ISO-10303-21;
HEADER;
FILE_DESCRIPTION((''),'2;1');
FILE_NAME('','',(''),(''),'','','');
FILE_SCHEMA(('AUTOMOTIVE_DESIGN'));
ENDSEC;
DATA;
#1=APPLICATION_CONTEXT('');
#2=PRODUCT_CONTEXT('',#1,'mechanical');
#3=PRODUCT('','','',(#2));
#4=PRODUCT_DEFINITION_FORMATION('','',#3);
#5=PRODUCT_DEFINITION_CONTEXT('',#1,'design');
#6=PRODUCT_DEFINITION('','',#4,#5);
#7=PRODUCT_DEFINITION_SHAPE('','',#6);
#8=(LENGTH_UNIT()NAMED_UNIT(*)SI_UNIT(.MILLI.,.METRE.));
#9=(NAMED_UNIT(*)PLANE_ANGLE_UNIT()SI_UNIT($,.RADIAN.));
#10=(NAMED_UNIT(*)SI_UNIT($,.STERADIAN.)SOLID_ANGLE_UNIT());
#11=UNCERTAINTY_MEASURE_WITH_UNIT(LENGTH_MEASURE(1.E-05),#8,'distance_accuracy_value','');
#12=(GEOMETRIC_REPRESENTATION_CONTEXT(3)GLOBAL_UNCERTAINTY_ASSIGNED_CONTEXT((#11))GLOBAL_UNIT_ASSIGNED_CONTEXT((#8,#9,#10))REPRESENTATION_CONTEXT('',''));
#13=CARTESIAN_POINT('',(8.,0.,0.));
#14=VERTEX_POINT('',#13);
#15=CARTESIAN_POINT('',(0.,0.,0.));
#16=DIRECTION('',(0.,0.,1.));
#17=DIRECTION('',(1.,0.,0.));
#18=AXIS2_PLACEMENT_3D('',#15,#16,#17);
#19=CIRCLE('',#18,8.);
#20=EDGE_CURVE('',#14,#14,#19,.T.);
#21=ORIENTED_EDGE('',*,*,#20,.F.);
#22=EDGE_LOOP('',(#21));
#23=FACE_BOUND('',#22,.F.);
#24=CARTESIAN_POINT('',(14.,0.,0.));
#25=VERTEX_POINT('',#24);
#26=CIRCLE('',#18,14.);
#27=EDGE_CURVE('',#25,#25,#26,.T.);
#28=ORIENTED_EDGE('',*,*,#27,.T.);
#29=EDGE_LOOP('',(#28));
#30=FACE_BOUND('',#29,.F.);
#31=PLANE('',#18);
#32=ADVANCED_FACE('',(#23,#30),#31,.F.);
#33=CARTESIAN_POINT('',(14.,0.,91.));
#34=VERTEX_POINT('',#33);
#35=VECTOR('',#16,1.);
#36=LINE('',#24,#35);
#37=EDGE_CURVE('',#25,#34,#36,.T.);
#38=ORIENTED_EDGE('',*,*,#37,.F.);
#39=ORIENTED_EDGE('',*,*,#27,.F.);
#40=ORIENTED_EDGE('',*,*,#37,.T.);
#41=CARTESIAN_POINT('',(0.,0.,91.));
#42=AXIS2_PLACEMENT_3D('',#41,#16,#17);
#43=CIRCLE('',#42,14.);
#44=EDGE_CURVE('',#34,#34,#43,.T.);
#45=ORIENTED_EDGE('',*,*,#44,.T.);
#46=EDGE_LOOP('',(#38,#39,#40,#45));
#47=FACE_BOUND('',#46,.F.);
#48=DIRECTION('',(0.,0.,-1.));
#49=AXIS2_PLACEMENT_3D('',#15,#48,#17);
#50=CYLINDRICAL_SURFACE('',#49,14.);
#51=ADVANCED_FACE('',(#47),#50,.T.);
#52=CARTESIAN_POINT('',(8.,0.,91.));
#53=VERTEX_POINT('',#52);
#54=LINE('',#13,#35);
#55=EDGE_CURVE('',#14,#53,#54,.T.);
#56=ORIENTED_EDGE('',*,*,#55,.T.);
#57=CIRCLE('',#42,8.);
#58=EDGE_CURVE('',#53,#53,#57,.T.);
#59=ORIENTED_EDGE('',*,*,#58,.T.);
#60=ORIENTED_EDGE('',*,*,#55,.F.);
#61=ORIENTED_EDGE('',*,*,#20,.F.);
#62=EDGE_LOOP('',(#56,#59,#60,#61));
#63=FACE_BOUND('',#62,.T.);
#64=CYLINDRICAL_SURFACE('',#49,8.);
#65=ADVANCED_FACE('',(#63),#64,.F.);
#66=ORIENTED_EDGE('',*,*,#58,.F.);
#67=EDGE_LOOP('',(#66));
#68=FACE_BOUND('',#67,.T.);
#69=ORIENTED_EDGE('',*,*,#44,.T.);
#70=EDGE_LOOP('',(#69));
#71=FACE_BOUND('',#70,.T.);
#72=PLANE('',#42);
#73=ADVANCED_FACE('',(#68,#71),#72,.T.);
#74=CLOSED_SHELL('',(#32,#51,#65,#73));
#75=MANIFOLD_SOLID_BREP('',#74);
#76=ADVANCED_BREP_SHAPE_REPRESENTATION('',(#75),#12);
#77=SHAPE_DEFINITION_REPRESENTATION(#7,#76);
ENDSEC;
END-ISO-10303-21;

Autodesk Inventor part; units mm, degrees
ref_plane "YZ Plane" through (0, 0, 0) normal (1, 0, 0) x (0, 1, 0)
ref_plane "XZ Plane" through (0, 0, 0) normal (0, 1, 0) x (-1, 0, 0)
ref_plane "XY Plane" through (0, 0, 0) normal (0, 0, 1) x (1, 0, 0)
sketch "Эскиз1" plane through (0, 0, 0) normal (0, 0, 1) x (1, 0, 0)
  circle A0 centre (0, 0) radius 14
  circle A1 centre (0, 0) radius 8
  dimension "d0" = 28
  dimension "d1" = 16
extrude "Выдавливание1" add sketch "Эскиз1" along normal blind 91
properties part number "pin" material "Сталь, высокопрочная, низколегированная"
